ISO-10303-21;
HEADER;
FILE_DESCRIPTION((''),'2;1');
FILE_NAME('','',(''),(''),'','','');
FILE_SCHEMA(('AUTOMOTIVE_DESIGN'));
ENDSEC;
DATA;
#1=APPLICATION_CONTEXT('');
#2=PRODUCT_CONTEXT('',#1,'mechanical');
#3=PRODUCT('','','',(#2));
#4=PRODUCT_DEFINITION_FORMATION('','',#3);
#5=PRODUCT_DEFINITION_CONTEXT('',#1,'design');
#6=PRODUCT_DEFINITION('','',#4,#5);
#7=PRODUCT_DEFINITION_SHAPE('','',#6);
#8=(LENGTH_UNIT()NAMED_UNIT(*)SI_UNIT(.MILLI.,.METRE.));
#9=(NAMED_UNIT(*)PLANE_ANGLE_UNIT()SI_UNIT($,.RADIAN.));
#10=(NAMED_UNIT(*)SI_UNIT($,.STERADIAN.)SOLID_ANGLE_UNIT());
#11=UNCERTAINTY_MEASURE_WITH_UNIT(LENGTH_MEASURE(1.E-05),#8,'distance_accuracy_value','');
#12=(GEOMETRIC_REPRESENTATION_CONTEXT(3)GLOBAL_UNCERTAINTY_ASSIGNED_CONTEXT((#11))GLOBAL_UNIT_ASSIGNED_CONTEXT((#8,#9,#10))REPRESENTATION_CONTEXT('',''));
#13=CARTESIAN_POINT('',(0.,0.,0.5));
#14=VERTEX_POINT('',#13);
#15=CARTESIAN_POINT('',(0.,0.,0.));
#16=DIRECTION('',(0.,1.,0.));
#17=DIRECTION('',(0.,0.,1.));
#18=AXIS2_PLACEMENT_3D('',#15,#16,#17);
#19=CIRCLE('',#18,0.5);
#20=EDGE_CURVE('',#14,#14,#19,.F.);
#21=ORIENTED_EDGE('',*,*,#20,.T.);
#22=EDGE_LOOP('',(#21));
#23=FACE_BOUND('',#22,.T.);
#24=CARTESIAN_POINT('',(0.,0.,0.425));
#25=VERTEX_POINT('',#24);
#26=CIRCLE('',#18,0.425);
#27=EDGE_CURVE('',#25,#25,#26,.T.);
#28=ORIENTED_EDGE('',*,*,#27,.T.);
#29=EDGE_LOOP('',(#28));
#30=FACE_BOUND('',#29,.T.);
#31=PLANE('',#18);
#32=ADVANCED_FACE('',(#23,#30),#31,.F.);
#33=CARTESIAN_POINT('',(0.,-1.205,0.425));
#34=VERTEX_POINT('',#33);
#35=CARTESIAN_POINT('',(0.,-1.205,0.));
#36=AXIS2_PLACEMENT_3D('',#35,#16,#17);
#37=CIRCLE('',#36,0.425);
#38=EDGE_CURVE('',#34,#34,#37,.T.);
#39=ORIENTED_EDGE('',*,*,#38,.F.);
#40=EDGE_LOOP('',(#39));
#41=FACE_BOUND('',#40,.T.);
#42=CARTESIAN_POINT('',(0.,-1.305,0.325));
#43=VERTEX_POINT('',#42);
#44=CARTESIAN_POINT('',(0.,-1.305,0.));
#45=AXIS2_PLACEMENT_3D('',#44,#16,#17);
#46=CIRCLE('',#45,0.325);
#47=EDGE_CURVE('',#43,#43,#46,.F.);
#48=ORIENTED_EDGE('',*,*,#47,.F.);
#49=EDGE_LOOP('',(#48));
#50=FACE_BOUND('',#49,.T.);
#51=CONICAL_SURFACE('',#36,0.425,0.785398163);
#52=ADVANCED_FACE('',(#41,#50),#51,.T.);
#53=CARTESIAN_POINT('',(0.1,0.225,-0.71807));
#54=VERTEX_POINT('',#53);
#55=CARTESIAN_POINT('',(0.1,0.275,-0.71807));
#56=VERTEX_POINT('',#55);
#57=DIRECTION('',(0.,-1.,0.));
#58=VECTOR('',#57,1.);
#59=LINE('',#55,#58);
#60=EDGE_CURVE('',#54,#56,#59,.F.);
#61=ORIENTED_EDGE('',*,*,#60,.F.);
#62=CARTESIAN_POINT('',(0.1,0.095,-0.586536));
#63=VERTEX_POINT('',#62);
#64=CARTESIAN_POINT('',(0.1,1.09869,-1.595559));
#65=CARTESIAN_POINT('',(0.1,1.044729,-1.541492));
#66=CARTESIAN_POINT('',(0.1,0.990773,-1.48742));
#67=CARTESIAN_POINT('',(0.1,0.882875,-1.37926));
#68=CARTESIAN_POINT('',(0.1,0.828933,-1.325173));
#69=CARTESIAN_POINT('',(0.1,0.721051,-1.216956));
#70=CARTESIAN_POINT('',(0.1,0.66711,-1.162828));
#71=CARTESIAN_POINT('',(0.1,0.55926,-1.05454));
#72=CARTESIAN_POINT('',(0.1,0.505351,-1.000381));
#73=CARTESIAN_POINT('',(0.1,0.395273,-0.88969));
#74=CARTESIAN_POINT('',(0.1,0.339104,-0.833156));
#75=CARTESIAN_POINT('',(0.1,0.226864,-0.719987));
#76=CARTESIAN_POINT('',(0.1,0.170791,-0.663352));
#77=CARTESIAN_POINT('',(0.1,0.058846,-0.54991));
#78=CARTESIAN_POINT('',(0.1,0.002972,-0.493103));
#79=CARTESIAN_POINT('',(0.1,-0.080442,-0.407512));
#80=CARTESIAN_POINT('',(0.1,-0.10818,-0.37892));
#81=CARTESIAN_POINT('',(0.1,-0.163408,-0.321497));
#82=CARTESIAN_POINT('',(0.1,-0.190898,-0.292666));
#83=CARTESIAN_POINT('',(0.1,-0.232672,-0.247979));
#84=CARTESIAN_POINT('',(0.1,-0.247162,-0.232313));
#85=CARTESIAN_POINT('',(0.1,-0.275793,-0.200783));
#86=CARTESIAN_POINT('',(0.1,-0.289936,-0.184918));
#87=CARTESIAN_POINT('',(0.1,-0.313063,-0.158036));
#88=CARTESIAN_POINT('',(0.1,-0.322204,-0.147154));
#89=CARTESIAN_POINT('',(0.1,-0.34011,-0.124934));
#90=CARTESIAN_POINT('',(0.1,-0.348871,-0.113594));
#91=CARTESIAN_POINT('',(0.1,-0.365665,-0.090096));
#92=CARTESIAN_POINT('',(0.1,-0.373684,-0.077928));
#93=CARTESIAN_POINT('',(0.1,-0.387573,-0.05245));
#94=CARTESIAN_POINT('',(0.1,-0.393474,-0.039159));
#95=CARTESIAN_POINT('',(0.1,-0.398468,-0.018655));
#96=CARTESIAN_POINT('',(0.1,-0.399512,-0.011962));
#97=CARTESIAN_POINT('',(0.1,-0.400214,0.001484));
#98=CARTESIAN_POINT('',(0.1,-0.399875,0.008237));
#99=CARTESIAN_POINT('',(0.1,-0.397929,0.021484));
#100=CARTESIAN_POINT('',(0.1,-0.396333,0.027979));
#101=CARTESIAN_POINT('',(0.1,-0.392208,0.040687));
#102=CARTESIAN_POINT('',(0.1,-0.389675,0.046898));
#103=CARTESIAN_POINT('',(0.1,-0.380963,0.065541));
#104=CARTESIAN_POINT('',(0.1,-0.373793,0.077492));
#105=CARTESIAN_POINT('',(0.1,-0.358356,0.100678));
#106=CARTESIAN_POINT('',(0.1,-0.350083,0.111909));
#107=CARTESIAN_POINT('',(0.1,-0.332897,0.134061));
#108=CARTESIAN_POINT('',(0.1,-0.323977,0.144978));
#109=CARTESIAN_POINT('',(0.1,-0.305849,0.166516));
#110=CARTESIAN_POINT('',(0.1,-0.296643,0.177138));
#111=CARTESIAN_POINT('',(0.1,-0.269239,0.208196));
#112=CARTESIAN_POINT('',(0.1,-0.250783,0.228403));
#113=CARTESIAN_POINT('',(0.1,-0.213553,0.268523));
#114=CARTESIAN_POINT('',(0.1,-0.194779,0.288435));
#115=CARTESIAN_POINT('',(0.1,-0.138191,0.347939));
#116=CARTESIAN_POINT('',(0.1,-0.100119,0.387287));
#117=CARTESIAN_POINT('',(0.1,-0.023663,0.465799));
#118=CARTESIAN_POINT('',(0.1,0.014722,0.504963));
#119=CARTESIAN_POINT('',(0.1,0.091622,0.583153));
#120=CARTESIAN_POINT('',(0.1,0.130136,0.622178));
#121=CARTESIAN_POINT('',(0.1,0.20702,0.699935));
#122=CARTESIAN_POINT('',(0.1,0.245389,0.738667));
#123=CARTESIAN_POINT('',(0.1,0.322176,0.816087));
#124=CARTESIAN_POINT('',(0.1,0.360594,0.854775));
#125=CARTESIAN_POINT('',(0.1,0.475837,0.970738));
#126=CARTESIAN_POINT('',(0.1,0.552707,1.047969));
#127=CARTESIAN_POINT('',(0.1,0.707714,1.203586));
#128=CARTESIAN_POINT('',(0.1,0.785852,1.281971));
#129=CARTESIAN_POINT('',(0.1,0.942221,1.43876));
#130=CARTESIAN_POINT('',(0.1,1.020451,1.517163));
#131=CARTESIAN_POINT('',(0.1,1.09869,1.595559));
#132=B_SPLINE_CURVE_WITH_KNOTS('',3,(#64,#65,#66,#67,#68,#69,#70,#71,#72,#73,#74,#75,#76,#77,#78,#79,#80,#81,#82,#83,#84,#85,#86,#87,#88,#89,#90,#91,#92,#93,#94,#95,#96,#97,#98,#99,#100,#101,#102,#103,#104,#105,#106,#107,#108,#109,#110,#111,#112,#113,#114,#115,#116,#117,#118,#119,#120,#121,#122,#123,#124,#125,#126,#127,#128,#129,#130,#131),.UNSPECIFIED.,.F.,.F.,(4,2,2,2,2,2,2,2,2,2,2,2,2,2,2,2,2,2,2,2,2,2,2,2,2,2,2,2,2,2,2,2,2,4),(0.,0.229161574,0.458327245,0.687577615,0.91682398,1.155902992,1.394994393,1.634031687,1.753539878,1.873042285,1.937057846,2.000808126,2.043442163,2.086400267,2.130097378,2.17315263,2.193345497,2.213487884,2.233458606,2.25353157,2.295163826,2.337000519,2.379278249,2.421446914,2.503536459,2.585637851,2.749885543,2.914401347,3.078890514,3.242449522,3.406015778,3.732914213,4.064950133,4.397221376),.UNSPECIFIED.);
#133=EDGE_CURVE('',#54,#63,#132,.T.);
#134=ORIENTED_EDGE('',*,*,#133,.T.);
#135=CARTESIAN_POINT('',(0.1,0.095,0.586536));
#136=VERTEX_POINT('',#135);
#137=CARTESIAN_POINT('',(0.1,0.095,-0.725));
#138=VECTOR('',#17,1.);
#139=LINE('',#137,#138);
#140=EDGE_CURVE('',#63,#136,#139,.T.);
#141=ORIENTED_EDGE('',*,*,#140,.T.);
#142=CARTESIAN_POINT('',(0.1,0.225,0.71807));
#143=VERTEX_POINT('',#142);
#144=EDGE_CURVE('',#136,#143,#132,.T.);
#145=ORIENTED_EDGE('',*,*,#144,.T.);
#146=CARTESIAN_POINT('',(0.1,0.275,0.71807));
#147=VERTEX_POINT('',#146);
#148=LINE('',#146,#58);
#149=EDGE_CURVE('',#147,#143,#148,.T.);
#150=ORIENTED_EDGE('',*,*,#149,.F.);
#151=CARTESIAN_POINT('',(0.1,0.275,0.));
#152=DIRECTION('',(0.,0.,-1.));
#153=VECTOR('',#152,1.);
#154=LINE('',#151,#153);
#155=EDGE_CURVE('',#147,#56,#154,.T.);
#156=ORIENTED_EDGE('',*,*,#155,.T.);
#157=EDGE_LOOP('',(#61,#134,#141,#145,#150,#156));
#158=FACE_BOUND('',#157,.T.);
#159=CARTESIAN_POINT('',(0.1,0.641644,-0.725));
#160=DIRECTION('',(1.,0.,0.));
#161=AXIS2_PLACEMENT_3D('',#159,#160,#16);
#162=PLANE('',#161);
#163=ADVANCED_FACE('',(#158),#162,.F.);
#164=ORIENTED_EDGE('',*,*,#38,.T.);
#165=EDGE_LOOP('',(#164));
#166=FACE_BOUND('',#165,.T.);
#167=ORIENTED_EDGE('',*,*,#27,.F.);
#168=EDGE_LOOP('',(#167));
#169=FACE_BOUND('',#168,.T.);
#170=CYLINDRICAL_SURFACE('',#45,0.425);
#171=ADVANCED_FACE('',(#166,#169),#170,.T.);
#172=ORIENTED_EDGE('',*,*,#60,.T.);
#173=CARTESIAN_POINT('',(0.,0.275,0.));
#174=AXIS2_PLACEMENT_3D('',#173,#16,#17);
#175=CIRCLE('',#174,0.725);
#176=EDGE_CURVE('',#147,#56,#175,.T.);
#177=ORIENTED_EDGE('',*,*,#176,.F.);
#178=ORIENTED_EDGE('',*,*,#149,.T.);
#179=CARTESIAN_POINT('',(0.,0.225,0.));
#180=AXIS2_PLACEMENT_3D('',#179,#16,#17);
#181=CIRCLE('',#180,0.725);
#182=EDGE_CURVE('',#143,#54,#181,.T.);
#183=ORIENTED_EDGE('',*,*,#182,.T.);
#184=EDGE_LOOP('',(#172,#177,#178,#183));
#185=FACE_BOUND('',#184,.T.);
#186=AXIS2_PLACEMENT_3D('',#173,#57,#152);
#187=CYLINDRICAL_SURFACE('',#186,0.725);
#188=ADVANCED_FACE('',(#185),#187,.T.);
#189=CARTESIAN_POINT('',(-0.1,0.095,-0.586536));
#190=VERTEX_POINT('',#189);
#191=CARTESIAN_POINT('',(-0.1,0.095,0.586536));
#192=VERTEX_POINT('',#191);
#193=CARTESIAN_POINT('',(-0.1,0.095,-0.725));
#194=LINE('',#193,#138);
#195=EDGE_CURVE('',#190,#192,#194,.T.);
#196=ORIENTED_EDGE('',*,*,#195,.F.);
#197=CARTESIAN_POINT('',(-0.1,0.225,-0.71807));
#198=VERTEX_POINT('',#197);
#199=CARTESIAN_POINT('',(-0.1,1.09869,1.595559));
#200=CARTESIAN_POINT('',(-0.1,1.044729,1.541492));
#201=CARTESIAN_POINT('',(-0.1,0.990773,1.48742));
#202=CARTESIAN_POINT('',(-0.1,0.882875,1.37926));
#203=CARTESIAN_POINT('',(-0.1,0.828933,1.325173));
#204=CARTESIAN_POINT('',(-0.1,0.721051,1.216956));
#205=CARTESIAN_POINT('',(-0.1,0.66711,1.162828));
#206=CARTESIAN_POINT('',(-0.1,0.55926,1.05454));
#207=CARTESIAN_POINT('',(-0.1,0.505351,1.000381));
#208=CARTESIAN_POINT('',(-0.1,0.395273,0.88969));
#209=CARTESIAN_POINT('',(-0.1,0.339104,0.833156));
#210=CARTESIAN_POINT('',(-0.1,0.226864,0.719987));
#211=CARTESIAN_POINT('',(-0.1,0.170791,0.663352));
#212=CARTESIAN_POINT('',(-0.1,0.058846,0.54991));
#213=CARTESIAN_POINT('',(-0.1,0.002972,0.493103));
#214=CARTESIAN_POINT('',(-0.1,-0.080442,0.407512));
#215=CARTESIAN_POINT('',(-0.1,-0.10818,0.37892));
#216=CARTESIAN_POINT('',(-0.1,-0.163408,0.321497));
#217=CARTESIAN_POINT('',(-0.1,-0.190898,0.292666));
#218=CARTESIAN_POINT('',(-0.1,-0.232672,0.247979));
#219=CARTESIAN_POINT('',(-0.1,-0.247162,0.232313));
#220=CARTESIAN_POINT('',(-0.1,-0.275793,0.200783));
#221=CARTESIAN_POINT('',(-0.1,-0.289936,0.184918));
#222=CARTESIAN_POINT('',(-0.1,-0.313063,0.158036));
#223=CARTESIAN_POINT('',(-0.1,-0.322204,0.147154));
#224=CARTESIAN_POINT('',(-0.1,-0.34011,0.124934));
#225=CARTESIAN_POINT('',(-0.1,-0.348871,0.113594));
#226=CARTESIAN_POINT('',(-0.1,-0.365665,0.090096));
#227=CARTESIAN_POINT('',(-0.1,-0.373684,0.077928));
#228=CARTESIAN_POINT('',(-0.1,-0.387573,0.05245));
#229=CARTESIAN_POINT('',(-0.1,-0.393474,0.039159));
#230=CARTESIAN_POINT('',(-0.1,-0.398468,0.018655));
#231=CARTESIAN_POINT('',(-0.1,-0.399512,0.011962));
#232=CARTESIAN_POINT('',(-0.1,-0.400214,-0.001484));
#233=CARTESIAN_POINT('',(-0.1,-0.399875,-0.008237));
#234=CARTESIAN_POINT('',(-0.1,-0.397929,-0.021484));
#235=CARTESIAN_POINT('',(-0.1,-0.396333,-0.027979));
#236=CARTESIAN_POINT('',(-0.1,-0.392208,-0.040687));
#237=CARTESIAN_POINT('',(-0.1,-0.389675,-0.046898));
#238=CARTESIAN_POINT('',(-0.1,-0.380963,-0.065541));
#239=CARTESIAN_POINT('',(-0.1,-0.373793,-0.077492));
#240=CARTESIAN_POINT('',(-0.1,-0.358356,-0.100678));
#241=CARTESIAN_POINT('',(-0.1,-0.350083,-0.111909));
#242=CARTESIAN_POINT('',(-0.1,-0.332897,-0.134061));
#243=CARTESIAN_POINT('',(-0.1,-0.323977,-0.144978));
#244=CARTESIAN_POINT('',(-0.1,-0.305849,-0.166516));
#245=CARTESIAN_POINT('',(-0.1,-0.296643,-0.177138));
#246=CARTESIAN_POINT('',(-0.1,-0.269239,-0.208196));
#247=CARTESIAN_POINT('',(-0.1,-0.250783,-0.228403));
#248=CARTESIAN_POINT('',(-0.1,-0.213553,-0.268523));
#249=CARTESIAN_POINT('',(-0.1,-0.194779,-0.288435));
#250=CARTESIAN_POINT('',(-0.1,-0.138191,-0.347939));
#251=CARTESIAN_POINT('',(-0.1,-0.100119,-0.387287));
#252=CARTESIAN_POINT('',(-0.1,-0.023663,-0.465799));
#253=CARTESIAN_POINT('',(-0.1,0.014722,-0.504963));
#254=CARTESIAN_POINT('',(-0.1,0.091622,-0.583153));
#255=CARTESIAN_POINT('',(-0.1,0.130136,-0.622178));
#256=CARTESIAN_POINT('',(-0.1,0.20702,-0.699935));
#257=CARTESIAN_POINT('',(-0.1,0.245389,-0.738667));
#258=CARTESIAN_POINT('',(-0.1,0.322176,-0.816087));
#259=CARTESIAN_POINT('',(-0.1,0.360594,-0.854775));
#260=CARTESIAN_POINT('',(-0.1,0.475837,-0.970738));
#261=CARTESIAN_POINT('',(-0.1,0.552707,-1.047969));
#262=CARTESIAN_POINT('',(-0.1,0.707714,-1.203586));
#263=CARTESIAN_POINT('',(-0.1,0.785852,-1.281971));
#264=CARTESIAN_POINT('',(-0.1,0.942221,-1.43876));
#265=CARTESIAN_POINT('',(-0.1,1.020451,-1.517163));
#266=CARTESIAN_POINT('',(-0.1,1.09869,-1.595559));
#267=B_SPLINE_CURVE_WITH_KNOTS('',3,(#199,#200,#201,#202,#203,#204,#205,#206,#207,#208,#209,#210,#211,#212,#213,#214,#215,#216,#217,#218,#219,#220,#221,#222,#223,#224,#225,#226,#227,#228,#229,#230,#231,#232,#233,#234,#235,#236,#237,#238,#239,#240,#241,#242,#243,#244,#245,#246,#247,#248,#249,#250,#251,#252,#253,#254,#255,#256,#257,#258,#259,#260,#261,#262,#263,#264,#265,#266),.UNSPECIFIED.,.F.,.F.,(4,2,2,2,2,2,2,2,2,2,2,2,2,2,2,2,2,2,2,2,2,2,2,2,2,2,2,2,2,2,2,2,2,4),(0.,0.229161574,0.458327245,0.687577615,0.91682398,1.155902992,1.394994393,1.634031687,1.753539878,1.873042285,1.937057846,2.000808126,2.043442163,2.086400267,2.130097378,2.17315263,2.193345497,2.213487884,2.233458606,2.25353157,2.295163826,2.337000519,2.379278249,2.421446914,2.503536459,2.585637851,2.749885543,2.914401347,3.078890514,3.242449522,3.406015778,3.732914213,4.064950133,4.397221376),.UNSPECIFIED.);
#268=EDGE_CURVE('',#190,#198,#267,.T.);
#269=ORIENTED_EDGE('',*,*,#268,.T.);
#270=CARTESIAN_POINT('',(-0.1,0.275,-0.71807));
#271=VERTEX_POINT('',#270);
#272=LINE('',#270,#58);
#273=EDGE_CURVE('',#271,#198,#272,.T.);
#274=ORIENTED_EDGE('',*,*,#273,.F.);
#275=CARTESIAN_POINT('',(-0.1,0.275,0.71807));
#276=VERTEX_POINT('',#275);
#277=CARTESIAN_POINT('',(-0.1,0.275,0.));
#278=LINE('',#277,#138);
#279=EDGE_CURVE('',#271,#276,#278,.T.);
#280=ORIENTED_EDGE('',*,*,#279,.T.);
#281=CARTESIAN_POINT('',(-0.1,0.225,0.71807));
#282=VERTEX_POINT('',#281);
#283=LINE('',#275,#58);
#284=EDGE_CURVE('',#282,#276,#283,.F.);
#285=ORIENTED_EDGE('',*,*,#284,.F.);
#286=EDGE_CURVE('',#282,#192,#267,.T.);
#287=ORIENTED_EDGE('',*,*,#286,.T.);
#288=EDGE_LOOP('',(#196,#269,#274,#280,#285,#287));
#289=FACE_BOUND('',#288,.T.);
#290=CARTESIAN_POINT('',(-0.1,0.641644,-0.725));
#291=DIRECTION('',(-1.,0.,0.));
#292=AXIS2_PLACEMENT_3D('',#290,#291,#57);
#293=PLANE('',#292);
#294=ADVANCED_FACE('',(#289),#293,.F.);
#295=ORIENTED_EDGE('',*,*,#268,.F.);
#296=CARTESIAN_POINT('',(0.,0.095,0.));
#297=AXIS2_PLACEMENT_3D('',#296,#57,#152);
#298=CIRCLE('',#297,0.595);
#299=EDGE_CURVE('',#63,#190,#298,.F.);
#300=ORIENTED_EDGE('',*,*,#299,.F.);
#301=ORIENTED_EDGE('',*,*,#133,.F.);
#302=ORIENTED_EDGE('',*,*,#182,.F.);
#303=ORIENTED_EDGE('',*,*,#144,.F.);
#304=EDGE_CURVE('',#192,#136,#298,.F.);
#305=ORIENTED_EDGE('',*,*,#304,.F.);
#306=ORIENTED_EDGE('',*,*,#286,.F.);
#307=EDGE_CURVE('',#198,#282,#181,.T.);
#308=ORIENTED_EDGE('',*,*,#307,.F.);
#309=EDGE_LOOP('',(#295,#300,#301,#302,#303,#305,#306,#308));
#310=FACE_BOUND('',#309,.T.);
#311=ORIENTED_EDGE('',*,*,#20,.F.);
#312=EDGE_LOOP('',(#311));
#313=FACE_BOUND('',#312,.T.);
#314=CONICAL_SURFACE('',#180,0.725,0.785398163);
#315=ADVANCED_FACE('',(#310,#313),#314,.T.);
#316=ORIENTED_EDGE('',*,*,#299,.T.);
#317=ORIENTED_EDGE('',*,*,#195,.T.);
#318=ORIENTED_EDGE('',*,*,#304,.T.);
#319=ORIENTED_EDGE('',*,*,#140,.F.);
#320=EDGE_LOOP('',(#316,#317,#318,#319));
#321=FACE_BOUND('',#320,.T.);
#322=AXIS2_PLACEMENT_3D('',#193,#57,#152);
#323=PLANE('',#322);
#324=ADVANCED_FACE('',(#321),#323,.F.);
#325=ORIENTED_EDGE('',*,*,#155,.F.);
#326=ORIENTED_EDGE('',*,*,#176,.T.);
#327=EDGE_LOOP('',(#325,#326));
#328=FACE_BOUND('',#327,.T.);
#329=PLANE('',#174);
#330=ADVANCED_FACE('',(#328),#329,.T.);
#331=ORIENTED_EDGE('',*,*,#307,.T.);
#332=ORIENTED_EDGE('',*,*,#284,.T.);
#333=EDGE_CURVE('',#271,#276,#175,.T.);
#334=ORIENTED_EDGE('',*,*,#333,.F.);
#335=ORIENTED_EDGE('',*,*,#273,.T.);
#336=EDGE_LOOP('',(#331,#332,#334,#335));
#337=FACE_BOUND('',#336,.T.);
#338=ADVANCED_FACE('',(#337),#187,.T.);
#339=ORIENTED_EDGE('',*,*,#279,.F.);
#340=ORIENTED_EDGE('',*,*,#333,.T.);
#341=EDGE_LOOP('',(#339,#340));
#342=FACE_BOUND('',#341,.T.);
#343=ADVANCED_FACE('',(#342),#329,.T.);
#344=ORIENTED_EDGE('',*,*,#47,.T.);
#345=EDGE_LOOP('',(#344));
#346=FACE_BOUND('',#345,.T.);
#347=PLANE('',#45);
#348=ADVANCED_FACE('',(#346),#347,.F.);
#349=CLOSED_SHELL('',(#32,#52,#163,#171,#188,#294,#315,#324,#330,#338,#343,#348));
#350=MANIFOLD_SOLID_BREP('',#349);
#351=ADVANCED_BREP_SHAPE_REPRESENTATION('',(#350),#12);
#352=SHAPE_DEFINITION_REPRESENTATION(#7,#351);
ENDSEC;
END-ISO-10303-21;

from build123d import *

# Parameters (mm, degrees)
SKETCH1_R               = 0.725
BOSS_EXTRUDE1_DEPTH     = 0.275
SKETCH2_R               = 0.425
BOSS_EXTRUDE2_DEPTH     = 1.305
CHAMFER1_SIZE           = 0.1
CHAMFER2_SIZE           = 0.225
SKETCH3_W               = 0.2
SKETCH3_H               = 0.546644051
CUT_EXTRUDE1_DEPTH      = 1.725
CUT_EXTRUDE1_DEPTH_BACK = 1.725


with BuildPart() as part:
    # Sketch1 → Boss-Extrude1 (new body)
    with BuildSketch(Plane(origin=(0, 0, 0), x_dir=(1, 0, 0), z_dir=(0, 1, 0))):
        Circle(SKETCH1_R)
    extrude(amount=BOSS_EXTRUDE1_DEPTH)

    # Sketch2 → Boss-Extrude2 (add)
    with BuildSketch(Plane(origin=(0, 0, 0), x_dir=(1, 0, 0), z_dir=(0, 1, 0))):
        Circle(SKETCH2_R)
    extrude(amount=-BOSS_EXTRUDE2_DEPTH)

    # Chamfer1
    chamfer1_edges = [part.edges().sort_by_distance(p)[0] for p in [
        (-0.425, -1.305, 0),
    ]]
    chamfer(chamfer1_edges, length=CHAMFER1_SIZE)

    # Chamfer2
    chamfer2_edges = [part.edges().sort_by_distance(p)[0] for p in [
        (-0.725, 0, 0),
    ]]
    chamfer(chamfer2_edges, length=CHAMFER2_SIZE)

    # Sketch3 → Cut-Extrude1 (cut, two sides)
    with BuildSketch(Plane.XY) as cut_extrude1_sk:
        with Locations((0, 0.368322025)):
            Rectangle(SKETCH3_W, SKETCH3_H)
    extrude(amount=CUT_EXTRUDE1_DEPTH, mode=Mode.SUBTRACT)
    extrude(cut_extrude1_sk.sketch, amount=-CUT_EXTRUDE1_DEPTH_BACK, mode=Mode.SUBTRACT)


solid = part.part
